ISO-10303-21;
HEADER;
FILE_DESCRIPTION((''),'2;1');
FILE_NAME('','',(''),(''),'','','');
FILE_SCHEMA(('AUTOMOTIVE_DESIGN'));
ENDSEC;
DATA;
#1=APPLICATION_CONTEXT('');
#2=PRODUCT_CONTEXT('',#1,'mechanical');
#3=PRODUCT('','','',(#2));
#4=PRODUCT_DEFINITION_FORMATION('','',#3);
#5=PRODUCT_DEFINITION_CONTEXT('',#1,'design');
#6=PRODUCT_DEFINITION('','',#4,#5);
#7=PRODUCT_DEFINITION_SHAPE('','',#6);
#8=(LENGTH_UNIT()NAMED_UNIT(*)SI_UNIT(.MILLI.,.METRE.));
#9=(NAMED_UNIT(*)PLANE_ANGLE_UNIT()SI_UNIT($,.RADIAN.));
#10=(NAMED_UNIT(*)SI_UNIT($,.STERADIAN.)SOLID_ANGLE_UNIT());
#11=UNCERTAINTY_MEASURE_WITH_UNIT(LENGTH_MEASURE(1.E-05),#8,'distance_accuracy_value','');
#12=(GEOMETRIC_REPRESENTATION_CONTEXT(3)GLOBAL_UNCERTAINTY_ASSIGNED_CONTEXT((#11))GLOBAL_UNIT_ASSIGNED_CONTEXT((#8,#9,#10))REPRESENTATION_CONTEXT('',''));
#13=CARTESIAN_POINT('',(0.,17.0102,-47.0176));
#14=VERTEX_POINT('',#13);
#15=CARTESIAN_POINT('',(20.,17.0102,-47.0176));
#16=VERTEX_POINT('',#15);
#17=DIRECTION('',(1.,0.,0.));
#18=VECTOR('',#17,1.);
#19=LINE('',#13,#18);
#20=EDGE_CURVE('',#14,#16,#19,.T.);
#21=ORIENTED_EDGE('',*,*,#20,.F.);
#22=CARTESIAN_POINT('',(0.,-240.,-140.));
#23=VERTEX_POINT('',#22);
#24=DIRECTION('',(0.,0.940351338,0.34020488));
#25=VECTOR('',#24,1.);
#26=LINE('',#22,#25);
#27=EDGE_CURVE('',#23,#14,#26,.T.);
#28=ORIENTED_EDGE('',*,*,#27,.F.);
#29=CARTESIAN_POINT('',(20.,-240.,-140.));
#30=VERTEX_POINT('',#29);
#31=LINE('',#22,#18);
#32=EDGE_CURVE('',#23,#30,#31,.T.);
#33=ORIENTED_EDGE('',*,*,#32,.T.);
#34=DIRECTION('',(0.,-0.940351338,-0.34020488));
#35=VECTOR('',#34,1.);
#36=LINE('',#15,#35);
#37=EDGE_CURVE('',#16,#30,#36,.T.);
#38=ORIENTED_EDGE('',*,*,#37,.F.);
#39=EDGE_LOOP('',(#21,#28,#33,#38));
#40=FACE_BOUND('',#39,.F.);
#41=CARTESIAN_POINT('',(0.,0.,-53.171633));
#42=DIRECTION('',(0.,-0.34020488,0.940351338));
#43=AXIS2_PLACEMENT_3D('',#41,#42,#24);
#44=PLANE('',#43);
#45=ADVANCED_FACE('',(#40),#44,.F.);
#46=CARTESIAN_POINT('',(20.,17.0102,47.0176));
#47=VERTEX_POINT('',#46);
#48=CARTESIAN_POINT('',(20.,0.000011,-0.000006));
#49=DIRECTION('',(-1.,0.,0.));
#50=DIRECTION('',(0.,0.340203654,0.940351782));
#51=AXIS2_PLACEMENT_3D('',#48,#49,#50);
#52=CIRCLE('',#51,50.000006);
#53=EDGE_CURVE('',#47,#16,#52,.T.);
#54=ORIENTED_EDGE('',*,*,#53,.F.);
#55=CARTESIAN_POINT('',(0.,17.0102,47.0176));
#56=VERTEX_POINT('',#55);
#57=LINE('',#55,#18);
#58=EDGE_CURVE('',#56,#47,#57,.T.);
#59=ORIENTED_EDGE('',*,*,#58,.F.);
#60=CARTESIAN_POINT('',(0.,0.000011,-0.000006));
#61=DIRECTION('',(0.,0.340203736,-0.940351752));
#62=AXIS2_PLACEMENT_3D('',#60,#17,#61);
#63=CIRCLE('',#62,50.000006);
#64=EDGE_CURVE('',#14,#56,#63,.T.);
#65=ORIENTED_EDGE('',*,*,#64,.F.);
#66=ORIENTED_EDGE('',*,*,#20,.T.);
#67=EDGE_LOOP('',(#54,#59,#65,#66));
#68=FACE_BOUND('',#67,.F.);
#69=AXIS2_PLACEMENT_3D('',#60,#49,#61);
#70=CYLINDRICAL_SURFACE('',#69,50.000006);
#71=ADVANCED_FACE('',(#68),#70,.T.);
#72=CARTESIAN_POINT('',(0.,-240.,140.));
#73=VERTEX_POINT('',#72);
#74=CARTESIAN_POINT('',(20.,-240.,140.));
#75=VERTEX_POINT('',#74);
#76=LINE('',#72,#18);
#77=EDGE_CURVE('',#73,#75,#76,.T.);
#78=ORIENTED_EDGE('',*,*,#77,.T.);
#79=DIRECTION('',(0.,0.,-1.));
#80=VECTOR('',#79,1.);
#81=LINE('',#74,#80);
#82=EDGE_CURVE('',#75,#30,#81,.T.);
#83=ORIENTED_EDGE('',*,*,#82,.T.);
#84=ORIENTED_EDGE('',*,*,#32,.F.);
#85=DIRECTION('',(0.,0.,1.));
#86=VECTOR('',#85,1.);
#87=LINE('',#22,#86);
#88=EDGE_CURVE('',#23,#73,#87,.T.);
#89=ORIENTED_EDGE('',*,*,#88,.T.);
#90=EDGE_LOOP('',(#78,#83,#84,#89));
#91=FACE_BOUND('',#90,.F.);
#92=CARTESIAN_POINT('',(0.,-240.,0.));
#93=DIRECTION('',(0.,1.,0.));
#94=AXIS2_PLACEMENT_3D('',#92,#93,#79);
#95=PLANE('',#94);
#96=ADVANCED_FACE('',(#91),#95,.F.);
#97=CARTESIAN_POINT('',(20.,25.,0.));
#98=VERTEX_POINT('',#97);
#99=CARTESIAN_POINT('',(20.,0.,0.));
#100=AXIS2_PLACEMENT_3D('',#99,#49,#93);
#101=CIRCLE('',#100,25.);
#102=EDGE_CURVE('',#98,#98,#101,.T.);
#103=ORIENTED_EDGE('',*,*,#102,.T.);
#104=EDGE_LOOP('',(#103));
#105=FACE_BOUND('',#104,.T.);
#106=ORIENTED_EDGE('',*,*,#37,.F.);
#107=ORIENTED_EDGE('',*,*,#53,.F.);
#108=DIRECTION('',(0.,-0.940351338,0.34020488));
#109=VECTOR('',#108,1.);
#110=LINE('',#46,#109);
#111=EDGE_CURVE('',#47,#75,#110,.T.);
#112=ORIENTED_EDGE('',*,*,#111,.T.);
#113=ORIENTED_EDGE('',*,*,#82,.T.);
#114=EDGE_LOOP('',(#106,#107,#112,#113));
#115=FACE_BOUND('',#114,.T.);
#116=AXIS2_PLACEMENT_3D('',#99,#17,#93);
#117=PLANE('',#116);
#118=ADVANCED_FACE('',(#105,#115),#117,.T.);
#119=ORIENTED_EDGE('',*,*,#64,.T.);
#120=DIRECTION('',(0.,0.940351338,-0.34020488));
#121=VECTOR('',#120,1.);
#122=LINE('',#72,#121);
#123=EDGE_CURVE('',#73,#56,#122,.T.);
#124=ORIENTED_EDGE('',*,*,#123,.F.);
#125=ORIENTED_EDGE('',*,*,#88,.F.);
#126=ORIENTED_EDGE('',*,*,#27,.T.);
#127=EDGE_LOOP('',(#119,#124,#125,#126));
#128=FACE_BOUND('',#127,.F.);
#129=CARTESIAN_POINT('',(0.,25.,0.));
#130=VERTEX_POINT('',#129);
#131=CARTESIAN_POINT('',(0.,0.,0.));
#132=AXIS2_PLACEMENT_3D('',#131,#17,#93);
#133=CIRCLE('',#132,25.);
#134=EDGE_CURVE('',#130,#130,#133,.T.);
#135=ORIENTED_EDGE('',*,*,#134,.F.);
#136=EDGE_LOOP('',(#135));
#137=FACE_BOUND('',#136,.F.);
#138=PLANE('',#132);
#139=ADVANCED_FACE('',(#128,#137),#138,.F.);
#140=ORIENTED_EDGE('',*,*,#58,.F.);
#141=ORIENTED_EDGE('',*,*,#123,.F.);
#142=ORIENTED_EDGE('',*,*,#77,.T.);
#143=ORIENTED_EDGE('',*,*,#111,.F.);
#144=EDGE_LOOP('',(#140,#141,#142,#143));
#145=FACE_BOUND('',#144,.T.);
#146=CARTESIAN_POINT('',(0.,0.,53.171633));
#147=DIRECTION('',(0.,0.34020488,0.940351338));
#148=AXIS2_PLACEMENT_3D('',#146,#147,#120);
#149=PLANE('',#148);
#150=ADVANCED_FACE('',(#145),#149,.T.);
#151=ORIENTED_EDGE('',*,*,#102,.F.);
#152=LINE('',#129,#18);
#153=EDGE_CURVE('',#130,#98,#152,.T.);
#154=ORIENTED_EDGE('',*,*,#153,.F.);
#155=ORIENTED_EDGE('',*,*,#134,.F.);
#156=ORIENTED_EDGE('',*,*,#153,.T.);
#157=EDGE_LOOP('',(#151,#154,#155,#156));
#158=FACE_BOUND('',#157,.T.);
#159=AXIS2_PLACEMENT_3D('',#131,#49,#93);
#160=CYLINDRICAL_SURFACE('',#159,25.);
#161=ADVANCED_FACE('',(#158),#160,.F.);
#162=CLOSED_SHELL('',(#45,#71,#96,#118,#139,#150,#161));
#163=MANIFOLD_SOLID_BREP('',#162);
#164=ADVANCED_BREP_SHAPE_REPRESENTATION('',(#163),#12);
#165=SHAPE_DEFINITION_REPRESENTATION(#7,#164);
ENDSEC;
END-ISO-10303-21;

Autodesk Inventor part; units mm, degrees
ref_plane "YZ Plane" through (0, 0, 0) normal (1, 0, 0) x (0, 1, 0)
ref_plane "XZ Plane" through (0, 0, 0) normal (0, 1, 0) x (-1, 0, 0)
ref_plane "XY Plane" through (0, 0, 0) normal (0, 0, 1) x (1, 0, 0)
sketch "草圖1" plane through (0, 0, 0) normal (1, 0, 0) x (0, 1, 0)
  circle A0 centre (0, 0) radius 25
  arc A1 (17.0102, -47.0176) -> (0, 50) centre (0, 0) ccw
  line L0 (-299.5508, 0) -> (117.3046, 0) projected
  line L1 (0, -196) -> (0, 196) projected
  line L2 (-240, 140) -> (-240, -140)
  line L3 (-240, 140) -> (17.0102, 47.0176)
  line L4 (-240, -140) -> (17.0102, -47.0176)
  dimension "d0" = 50
  dimension "d1" = 100
  dimension "d2" = 280
  dimension "d3" = 240
  dimension "d4" = 140
extrude "擠出1" add sketch "草圖1" along normal blind 20 contours L0 A1 L4 L1 A0 | A0 L1 A1 L0 | A0 L0 L2 L3 L1 | L1 L4 L2 L0 A0 | L1 L3 A1
properties part number "exercise3-17"
